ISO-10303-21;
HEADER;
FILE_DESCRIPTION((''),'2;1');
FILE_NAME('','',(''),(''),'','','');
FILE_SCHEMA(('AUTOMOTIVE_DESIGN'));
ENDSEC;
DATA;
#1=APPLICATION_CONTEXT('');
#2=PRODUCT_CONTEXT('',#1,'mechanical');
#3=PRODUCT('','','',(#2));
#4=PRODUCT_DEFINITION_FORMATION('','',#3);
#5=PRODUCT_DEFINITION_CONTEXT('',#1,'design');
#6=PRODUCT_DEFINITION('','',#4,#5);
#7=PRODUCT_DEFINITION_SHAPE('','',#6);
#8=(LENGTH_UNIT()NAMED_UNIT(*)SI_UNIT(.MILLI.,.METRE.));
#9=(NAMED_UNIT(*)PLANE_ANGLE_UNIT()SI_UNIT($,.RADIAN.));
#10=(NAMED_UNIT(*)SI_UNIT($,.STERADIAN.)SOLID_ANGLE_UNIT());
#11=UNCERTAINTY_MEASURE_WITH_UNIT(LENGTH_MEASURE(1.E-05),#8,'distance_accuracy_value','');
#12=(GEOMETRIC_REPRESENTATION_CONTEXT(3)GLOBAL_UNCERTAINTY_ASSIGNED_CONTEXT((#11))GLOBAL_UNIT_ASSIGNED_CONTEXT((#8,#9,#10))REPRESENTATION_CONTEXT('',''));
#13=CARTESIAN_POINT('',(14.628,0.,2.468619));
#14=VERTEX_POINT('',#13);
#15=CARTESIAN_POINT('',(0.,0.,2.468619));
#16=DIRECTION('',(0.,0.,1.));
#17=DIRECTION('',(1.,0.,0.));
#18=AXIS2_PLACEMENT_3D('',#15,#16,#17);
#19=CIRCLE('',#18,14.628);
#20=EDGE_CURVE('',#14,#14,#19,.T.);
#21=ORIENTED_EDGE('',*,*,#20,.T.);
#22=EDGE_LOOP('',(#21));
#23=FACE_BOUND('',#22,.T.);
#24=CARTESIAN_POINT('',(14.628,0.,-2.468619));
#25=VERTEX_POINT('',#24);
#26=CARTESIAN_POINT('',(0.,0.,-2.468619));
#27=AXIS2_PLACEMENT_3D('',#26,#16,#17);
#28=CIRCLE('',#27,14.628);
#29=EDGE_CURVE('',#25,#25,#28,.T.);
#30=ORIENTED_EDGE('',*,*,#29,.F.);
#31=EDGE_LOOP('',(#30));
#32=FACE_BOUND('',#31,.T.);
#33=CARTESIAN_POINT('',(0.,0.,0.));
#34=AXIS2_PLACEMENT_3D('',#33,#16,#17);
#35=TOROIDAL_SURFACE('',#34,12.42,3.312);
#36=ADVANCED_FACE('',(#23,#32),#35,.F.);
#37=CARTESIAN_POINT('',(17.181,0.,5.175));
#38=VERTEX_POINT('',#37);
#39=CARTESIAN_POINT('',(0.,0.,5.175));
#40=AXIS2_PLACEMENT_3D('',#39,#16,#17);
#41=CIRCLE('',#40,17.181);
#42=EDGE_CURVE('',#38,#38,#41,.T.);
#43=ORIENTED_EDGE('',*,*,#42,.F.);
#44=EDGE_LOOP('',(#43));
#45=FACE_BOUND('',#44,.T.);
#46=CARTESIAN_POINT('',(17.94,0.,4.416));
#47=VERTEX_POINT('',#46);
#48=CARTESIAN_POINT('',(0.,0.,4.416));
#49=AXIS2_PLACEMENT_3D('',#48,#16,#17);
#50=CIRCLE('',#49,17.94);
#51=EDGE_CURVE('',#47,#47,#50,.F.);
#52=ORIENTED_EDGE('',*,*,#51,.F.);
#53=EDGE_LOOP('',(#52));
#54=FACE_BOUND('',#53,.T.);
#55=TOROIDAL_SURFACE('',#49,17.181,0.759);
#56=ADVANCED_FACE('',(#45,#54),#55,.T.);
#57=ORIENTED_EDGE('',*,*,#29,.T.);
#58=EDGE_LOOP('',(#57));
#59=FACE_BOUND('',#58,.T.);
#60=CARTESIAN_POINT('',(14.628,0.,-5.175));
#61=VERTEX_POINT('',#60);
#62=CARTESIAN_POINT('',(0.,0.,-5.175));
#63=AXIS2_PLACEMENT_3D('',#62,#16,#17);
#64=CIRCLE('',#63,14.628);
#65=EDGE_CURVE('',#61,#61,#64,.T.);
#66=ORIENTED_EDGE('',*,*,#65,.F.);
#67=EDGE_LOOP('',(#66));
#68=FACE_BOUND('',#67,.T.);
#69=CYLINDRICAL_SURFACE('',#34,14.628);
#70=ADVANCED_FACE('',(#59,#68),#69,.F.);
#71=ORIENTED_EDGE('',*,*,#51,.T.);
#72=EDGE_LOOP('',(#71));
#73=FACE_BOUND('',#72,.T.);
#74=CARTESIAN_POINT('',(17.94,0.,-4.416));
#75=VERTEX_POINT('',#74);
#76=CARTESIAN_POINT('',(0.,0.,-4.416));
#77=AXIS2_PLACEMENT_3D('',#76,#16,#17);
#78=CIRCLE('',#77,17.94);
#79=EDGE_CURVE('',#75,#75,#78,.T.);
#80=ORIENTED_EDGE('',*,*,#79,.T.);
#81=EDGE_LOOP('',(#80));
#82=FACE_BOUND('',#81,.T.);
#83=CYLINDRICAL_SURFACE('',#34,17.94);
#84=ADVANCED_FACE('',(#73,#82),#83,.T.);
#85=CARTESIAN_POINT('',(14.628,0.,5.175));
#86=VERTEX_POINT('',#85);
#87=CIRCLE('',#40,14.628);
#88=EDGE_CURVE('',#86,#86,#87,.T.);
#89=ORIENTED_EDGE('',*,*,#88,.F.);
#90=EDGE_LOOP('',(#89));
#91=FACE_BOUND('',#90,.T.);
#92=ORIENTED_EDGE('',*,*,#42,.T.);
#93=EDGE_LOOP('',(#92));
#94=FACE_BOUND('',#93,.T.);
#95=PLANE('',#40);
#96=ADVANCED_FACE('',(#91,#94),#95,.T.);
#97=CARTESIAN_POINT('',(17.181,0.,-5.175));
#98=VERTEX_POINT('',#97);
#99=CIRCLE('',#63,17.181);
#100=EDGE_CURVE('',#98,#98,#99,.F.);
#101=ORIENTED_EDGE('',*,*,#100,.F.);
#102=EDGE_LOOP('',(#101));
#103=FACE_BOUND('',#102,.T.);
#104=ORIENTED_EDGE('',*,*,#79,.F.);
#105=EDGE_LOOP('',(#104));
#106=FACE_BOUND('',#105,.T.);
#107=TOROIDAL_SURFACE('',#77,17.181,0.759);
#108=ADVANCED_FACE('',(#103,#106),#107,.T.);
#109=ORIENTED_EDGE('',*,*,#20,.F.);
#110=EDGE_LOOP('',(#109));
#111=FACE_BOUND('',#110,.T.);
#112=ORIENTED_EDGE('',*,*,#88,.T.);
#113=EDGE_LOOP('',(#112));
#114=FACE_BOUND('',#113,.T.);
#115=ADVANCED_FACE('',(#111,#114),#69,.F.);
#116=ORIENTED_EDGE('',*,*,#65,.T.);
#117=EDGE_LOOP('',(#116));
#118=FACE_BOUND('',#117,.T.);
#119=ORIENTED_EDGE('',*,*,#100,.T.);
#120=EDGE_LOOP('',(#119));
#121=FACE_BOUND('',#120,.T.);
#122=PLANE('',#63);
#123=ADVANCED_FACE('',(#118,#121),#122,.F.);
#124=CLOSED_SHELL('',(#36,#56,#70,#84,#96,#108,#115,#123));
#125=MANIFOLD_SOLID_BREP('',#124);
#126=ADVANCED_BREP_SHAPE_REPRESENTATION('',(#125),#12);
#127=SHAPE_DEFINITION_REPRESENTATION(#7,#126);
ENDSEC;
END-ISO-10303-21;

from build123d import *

# Parameters (mm, degrees)
CONG_1_R       = 1.1
ECHELLE1_SCALE = 0.69


with BuildPart() as part:
    # Esquisse1 → Révolution1 (revolve)
    with BuildSketch(Plane(origin=(0, 0, 0), x_dir=(0, 0, -1), z_dir=(1, 0, 0)), mode=Mode.PRIVATE) as r_volution1_sk:
        with BuildLine():
            Line((-7.5, 26), (-7.5, 21.2))
            Line((-7.5, 21.2), (-3.577708764, 21.2))
            ThreePointArc((-3.577708764, 21.2), (0, 22.8), (3.577708764, 21.2))
            Line((3.577708764, 21.2), (7.5, 21.2))
            Line((7.5, 21.2), (7.5, 26))
            Line((7.5, 26), (-7.5, 26))
        make_face()
    revolve(r_volution1_sk.sketch.rotate(Axis((0, 0, 0), (0, 0, -1)), 90), axis=Axis((0, 0, 0), (0, 0, -1)))

    # Congé1
    cong_1_edges = [part.edges().sort_by_distance(p)[0] for p in [
        (-26, 0, 7.5),
        (-26, 0, -7.5),
    ]]
    fillet(cong_1_edges, radius=CONG_1_R)


with BuildPart() as part_1:
    # Echelle1: scaled about (0, 0, 0)
    add(part.part.scale(ECHELLE1_SCALE))


solid = part_1.part
